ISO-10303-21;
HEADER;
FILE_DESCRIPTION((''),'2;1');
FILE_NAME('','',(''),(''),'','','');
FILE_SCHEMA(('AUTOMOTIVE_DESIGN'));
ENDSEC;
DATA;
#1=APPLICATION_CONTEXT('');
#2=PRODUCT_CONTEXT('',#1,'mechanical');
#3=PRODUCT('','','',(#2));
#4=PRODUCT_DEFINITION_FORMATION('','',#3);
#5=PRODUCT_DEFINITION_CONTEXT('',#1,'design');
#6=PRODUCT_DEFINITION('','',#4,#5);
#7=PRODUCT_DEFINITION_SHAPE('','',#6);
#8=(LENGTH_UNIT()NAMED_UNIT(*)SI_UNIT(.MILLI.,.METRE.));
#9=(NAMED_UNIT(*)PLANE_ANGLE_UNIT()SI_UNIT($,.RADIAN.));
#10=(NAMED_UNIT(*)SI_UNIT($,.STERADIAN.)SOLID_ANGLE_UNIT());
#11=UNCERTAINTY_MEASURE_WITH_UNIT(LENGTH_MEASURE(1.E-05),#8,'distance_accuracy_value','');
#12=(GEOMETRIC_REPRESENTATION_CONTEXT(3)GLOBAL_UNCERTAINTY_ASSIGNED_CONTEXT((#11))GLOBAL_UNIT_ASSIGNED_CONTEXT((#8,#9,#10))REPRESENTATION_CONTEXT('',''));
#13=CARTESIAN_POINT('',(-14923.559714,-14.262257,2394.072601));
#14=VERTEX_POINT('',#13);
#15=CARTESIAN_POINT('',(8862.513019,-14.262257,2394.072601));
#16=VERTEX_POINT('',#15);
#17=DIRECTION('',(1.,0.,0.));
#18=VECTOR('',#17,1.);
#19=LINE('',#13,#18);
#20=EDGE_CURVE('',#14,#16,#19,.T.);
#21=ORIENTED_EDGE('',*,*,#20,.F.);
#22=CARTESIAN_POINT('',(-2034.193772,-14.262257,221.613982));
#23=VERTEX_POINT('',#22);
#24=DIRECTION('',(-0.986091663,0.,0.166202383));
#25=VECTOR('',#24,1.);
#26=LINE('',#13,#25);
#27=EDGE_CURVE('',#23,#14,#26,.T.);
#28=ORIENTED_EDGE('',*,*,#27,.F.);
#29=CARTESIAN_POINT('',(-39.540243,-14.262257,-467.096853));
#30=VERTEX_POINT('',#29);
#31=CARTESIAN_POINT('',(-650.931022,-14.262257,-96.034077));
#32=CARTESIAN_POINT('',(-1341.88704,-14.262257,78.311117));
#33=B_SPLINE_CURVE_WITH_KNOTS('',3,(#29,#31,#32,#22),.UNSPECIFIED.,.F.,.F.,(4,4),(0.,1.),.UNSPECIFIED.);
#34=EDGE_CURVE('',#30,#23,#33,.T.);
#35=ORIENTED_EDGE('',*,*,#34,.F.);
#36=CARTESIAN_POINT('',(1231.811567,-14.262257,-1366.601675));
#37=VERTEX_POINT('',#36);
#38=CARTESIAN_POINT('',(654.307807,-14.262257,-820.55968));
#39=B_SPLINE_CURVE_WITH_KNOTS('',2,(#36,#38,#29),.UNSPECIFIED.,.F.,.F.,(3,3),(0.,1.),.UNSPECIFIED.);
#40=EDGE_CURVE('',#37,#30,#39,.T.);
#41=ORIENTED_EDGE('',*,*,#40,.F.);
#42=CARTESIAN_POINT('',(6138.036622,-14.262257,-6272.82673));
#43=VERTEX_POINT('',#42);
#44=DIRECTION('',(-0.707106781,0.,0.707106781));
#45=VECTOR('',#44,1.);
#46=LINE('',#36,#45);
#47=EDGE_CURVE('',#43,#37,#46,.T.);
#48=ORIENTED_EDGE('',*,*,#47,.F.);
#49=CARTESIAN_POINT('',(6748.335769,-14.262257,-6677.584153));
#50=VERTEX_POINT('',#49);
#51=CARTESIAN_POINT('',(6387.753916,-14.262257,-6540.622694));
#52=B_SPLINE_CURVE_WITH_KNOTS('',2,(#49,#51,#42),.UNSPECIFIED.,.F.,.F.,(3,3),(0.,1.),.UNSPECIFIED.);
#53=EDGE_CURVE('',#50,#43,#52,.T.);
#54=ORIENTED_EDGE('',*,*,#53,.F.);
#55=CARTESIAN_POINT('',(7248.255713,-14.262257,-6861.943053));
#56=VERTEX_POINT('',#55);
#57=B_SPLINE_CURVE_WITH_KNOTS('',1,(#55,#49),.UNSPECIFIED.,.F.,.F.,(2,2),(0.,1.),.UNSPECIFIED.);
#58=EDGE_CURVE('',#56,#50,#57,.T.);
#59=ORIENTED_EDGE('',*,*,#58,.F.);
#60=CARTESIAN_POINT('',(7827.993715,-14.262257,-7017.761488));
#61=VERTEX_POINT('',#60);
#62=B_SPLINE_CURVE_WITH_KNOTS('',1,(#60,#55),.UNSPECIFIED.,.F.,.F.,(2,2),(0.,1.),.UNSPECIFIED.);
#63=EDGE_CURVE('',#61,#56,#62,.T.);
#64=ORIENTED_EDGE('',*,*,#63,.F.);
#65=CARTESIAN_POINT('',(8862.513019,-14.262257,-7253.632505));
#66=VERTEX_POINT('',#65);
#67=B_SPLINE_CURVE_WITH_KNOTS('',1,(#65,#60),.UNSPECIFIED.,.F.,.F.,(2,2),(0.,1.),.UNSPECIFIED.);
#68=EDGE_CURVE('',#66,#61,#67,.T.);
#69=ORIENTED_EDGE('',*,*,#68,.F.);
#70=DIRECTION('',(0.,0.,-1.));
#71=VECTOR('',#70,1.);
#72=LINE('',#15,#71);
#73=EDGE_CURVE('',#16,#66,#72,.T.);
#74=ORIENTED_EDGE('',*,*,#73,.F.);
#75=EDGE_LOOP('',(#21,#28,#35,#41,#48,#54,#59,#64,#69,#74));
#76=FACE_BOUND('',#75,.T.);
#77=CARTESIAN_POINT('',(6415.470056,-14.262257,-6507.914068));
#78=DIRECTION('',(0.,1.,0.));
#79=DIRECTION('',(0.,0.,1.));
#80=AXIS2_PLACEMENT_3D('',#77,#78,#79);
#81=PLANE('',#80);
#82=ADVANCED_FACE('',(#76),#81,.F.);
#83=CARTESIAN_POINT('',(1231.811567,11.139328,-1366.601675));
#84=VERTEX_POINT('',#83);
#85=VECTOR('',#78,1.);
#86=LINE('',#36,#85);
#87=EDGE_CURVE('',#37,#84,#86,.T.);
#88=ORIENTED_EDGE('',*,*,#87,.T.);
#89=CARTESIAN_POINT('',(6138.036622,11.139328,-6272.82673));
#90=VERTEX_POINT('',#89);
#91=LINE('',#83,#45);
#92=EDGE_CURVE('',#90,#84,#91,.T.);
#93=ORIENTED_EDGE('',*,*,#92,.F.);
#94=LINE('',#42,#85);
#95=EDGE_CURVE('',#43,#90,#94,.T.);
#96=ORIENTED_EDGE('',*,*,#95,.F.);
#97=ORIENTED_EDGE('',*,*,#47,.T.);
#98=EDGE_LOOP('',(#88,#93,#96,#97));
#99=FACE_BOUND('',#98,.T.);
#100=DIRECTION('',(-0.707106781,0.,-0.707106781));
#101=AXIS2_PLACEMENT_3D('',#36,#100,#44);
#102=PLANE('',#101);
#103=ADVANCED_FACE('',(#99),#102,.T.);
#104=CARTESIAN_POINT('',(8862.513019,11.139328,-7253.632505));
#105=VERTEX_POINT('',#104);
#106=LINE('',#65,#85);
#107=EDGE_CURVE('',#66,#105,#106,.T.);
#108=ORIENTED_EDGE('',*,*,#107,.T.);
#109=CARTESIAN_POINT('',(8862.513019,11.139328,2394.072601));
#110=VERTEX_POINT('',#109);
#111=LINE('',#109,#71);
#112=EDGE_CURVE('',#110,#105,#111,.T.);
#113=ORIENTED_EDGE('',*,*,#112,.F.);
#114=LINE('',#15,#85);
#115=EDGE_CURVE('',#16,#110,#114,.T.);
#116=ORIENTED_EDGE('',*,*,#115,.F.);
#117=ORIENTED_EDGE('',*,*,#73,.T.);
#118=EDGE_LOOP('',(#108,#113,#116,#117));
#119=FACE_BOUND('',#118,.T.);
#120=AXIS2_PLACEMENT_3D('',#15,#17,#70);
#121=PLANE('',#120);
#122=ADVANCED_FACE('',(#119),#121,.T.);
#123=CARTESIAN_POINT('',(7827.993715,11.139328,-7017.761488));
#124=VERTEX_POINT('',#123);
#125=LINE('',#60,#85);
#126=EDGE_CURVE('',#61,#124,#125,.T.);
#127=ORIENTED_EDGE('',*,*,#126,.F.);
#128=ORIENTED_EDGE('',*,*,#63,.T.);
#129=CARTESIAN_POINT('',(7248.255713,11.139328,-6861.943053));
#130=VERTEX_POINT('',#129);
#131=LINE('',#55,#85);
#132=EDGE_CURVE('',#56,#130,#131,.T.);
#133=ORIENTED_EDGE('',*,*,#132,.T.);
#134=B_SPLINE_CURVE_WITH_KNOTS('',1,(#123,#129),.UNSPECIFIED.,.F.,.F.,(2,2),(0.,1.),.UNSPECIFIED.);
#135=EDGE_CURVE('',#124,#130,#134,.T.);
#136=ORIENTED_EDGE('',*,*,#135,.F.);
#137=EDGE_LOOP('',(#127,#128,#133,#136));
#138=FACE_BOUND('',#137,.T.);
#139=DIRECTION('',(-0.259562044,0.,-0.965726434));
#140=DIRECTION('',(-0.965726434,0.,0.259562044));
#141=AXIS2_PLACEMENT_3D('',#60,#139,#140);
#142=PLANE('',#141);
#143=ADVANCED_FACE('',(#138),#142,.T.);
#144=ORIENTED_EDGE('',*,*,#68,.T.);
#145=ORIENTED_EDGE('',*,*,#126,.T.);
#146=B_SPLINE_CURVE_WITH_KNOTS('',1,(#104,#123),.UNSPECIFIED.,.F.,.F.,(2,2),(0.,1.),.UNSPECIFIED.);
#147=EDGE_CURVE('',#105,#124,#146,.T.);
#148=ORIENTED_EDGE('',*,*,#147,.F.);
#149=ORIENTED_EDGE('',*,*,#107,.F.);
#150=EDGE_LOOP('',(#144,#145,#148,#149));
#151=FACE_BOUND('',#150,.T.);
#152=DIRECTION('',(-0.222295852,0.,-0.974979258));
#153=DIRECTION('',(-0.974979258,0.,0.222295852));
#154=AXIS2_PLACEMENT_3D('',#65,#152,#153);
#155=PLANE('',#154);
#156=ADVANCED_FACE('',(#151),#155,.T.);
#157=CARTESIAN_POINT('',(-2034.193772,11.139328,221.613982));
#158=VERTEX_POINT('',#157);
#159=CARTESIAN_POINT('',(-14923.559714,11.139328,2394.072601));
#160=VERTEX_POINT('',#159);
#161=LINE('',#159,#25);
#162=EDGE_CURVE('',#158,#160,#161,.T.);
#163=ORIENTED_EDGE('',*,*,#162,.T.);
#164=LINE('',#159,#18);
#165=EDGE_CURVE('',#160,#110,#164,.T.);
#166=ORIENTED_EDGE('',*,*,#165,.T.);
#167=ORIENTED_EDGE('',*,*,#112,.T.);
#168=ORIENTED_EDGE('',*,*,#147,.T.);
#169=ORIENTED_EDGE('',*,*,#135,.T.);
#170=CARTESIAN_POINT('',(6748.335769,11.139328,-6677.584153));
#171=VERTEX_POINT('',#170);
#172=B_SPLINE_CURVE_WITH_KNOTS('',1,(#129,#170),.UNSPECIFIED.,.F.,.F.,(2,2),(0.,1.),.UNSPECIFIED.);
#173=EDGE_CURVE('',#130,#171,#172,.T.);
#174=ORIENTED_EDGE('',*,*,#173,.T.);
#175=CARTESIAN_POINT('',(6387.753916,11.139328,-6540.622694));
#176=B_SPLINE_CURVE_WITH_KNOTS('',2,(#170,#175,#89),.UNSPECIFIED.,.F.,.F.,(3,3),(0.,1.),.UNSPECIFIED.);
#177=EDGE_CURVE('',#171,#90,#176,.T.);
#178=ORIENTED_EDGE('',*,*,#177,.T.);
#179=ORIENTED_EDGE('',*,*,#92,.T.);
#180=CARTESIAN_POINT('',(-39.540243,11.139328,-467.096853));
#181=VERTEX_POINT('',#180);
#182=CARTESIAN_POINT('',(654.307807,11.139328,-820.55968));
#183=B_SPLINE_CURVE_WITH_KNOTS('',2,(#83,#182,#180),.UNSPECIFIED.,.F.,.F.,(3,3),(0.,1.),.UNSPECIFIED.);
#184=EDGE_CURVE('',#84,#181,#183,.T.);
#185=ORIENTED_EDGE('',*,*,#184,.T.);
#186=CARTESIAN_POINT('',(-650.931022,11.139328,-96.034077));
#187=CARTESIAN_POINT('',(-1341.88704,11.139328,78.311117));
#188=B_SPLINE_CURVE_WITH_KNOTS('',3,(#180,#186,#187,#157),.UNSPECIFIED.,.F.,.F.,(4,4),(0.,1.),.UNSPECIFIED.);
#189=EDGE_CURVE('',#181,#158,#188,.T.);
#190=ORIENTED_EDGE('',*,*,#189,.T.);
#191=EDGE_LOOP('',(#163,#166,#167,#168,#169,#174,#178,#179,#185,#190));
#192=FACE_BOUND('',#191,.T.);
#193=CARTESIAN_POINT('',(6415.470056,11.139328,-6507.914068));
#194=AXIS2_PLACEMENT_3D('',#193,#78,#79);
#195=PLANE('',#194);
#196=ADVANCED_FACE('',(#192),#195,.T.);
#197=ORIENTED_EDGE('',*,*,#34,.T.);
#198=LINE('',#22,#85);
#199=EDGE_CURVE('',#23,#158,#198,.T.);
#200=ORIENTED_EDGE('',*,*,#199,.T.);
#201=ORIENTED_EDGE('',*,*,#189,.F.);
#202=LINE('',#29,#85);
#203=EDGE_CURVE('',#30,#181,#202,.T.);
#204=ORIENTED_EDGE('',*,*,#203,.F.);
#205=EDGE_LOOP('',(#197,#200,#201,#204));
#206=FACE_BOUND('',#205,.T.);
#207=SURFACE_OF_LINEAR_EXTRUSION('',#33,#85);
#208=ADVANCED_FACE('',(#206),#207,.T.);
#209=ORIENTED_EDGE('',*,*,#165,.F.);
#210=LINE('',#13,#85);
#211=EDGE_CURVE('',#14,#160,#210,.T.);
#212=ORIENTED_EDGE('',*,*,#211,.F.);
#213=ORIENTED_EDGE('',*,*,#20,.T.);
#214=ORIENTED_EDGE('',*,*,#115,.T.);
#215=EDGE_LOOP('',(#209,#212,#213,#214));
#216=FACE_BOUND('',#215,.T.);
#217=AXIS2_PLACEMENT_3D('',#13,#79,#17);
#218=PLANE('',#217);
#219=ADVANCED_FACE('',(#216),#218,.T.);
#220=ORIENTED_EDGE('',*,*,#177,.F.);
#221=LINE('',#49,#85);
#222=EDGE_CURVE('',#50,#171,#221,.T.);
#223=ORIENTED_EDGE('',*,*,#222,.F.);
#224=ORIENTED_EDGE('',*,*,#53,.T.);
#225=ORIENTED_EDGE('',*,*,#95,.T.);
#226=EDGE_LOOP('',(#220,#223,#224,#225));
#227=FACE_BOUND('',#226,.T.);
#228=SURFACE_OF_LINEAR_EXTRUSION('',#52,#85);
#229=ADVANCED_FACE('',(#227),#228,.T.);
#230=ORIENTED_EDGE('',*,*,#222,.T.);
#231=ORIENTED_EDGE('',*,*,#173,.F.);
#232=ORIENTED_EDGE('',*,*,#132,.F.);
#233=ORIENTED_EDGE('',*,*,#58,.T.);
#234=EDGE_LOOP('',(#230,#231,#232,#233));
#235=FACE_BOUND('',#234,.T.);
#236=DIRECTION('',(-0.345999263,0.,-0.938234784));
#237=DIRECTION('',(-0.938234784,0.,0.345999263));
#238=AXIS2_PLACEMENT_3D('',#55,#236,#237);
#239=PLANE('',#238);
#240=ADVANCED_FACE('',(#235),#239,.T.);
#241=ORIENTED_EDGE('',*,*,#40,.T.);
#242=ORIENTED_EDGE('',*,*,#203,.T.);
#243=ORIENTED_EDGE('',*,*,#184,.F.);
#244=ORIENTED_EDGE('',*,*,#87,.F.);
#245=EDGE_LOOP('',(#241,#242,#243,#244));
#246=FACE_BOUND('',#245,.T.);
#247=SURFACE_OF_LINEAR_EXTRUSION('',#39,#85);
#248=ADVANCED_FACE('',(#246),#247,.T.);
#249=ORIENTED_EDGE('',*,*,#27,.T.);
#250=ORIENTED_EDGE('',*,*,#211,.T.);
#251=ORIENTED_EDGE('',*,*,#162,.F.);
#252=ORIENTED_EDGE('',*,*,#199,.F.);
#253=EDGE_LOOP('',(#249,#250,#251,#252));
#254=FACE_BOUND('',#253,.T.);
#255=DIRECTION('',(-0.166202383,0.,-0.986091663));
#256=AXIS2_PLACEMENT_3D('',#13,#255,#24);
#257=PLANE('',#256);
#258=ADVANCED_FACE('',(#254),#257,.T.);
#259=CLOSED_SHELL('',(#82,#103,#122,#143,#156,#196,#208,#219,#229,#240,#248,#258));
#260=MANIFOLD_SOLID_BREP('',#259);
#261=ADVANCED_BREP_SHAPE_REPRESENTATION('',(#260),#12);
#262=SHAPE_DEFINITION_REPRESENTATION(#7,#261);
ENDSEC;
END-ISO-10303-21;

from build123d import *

# Parameters (mm, degrees)
BOSS_EXTRUDE2_DEPTH = 3.122929072
SCALE6_SCALE        = 8.1338973


with BuildPart() as part:
    # Sketch2 → Boss-Extrude2 (new body)
    with BuildSketch(Plane(origin=(0, 0, 0), x_dir=(1, 0, 0), z_dir=(0, 1, 0))):
        with BuildLine():
            Line((629.731048782, 277.215341973), (2214.379276625, 544.302389928))
            add(Edge.make_bspline(
                [(2214.379276625, 544.302389928), (2299.493055017, 561.920373013), (2384.440773399, 583.354771284), (2459.606558912, 628.974080467)],
                knots=[0, 0, 0, 0, 1, 1, 1, 1], degree=3))
            add(Edge.make_bspline(
                [(2459.606558912, 628.974080467), (2544.909830443, 672.429611603), (2615.909467864, 739.561267492)],
                knots=[0, 0, 0, 1, 1, 1], degree=2))
            Line((2615.909467864, 739.561267492), (3219.092035195, 1342.743834824))
            add(Edge.make_bspline(
                [(3219.092035195, 1342.743834824), (3249.792852386, 1375.667285093), (3294.123612778, 1392.505641268)],
                knots=[0, 0, 0, 1, 1, 1], degree=2))
            Line((3294.123612778, 1392.505641268), (3355.584917995, 1415.171147477))
            Line((3355.584917995, 1415.171147477), (3426.859238384, 1434.327823377))
            Line((3426.859238384, 1434.327823377), (3554.045415638, 1463.32634757))
            Line((3554.045415638, 1463.32634757), (3554.045415638, 277.215341973))
            Line((3554.045415638, 277.215341973), (629.731048782, 277.215341973))
        make_face()
    extrude(amount=-BOSS_EXTRUDE2_DEPTH)


with BuildPart() as part_1:
    # Scale6: scaled about (2809.926509229, -1.561464536, -651.665359315)
    add(part.part.scale(SCALE6_SCALE).moved(Location((-20045.727137387, 11.139327637, 4648.913747321))))


solid = part_1.part
